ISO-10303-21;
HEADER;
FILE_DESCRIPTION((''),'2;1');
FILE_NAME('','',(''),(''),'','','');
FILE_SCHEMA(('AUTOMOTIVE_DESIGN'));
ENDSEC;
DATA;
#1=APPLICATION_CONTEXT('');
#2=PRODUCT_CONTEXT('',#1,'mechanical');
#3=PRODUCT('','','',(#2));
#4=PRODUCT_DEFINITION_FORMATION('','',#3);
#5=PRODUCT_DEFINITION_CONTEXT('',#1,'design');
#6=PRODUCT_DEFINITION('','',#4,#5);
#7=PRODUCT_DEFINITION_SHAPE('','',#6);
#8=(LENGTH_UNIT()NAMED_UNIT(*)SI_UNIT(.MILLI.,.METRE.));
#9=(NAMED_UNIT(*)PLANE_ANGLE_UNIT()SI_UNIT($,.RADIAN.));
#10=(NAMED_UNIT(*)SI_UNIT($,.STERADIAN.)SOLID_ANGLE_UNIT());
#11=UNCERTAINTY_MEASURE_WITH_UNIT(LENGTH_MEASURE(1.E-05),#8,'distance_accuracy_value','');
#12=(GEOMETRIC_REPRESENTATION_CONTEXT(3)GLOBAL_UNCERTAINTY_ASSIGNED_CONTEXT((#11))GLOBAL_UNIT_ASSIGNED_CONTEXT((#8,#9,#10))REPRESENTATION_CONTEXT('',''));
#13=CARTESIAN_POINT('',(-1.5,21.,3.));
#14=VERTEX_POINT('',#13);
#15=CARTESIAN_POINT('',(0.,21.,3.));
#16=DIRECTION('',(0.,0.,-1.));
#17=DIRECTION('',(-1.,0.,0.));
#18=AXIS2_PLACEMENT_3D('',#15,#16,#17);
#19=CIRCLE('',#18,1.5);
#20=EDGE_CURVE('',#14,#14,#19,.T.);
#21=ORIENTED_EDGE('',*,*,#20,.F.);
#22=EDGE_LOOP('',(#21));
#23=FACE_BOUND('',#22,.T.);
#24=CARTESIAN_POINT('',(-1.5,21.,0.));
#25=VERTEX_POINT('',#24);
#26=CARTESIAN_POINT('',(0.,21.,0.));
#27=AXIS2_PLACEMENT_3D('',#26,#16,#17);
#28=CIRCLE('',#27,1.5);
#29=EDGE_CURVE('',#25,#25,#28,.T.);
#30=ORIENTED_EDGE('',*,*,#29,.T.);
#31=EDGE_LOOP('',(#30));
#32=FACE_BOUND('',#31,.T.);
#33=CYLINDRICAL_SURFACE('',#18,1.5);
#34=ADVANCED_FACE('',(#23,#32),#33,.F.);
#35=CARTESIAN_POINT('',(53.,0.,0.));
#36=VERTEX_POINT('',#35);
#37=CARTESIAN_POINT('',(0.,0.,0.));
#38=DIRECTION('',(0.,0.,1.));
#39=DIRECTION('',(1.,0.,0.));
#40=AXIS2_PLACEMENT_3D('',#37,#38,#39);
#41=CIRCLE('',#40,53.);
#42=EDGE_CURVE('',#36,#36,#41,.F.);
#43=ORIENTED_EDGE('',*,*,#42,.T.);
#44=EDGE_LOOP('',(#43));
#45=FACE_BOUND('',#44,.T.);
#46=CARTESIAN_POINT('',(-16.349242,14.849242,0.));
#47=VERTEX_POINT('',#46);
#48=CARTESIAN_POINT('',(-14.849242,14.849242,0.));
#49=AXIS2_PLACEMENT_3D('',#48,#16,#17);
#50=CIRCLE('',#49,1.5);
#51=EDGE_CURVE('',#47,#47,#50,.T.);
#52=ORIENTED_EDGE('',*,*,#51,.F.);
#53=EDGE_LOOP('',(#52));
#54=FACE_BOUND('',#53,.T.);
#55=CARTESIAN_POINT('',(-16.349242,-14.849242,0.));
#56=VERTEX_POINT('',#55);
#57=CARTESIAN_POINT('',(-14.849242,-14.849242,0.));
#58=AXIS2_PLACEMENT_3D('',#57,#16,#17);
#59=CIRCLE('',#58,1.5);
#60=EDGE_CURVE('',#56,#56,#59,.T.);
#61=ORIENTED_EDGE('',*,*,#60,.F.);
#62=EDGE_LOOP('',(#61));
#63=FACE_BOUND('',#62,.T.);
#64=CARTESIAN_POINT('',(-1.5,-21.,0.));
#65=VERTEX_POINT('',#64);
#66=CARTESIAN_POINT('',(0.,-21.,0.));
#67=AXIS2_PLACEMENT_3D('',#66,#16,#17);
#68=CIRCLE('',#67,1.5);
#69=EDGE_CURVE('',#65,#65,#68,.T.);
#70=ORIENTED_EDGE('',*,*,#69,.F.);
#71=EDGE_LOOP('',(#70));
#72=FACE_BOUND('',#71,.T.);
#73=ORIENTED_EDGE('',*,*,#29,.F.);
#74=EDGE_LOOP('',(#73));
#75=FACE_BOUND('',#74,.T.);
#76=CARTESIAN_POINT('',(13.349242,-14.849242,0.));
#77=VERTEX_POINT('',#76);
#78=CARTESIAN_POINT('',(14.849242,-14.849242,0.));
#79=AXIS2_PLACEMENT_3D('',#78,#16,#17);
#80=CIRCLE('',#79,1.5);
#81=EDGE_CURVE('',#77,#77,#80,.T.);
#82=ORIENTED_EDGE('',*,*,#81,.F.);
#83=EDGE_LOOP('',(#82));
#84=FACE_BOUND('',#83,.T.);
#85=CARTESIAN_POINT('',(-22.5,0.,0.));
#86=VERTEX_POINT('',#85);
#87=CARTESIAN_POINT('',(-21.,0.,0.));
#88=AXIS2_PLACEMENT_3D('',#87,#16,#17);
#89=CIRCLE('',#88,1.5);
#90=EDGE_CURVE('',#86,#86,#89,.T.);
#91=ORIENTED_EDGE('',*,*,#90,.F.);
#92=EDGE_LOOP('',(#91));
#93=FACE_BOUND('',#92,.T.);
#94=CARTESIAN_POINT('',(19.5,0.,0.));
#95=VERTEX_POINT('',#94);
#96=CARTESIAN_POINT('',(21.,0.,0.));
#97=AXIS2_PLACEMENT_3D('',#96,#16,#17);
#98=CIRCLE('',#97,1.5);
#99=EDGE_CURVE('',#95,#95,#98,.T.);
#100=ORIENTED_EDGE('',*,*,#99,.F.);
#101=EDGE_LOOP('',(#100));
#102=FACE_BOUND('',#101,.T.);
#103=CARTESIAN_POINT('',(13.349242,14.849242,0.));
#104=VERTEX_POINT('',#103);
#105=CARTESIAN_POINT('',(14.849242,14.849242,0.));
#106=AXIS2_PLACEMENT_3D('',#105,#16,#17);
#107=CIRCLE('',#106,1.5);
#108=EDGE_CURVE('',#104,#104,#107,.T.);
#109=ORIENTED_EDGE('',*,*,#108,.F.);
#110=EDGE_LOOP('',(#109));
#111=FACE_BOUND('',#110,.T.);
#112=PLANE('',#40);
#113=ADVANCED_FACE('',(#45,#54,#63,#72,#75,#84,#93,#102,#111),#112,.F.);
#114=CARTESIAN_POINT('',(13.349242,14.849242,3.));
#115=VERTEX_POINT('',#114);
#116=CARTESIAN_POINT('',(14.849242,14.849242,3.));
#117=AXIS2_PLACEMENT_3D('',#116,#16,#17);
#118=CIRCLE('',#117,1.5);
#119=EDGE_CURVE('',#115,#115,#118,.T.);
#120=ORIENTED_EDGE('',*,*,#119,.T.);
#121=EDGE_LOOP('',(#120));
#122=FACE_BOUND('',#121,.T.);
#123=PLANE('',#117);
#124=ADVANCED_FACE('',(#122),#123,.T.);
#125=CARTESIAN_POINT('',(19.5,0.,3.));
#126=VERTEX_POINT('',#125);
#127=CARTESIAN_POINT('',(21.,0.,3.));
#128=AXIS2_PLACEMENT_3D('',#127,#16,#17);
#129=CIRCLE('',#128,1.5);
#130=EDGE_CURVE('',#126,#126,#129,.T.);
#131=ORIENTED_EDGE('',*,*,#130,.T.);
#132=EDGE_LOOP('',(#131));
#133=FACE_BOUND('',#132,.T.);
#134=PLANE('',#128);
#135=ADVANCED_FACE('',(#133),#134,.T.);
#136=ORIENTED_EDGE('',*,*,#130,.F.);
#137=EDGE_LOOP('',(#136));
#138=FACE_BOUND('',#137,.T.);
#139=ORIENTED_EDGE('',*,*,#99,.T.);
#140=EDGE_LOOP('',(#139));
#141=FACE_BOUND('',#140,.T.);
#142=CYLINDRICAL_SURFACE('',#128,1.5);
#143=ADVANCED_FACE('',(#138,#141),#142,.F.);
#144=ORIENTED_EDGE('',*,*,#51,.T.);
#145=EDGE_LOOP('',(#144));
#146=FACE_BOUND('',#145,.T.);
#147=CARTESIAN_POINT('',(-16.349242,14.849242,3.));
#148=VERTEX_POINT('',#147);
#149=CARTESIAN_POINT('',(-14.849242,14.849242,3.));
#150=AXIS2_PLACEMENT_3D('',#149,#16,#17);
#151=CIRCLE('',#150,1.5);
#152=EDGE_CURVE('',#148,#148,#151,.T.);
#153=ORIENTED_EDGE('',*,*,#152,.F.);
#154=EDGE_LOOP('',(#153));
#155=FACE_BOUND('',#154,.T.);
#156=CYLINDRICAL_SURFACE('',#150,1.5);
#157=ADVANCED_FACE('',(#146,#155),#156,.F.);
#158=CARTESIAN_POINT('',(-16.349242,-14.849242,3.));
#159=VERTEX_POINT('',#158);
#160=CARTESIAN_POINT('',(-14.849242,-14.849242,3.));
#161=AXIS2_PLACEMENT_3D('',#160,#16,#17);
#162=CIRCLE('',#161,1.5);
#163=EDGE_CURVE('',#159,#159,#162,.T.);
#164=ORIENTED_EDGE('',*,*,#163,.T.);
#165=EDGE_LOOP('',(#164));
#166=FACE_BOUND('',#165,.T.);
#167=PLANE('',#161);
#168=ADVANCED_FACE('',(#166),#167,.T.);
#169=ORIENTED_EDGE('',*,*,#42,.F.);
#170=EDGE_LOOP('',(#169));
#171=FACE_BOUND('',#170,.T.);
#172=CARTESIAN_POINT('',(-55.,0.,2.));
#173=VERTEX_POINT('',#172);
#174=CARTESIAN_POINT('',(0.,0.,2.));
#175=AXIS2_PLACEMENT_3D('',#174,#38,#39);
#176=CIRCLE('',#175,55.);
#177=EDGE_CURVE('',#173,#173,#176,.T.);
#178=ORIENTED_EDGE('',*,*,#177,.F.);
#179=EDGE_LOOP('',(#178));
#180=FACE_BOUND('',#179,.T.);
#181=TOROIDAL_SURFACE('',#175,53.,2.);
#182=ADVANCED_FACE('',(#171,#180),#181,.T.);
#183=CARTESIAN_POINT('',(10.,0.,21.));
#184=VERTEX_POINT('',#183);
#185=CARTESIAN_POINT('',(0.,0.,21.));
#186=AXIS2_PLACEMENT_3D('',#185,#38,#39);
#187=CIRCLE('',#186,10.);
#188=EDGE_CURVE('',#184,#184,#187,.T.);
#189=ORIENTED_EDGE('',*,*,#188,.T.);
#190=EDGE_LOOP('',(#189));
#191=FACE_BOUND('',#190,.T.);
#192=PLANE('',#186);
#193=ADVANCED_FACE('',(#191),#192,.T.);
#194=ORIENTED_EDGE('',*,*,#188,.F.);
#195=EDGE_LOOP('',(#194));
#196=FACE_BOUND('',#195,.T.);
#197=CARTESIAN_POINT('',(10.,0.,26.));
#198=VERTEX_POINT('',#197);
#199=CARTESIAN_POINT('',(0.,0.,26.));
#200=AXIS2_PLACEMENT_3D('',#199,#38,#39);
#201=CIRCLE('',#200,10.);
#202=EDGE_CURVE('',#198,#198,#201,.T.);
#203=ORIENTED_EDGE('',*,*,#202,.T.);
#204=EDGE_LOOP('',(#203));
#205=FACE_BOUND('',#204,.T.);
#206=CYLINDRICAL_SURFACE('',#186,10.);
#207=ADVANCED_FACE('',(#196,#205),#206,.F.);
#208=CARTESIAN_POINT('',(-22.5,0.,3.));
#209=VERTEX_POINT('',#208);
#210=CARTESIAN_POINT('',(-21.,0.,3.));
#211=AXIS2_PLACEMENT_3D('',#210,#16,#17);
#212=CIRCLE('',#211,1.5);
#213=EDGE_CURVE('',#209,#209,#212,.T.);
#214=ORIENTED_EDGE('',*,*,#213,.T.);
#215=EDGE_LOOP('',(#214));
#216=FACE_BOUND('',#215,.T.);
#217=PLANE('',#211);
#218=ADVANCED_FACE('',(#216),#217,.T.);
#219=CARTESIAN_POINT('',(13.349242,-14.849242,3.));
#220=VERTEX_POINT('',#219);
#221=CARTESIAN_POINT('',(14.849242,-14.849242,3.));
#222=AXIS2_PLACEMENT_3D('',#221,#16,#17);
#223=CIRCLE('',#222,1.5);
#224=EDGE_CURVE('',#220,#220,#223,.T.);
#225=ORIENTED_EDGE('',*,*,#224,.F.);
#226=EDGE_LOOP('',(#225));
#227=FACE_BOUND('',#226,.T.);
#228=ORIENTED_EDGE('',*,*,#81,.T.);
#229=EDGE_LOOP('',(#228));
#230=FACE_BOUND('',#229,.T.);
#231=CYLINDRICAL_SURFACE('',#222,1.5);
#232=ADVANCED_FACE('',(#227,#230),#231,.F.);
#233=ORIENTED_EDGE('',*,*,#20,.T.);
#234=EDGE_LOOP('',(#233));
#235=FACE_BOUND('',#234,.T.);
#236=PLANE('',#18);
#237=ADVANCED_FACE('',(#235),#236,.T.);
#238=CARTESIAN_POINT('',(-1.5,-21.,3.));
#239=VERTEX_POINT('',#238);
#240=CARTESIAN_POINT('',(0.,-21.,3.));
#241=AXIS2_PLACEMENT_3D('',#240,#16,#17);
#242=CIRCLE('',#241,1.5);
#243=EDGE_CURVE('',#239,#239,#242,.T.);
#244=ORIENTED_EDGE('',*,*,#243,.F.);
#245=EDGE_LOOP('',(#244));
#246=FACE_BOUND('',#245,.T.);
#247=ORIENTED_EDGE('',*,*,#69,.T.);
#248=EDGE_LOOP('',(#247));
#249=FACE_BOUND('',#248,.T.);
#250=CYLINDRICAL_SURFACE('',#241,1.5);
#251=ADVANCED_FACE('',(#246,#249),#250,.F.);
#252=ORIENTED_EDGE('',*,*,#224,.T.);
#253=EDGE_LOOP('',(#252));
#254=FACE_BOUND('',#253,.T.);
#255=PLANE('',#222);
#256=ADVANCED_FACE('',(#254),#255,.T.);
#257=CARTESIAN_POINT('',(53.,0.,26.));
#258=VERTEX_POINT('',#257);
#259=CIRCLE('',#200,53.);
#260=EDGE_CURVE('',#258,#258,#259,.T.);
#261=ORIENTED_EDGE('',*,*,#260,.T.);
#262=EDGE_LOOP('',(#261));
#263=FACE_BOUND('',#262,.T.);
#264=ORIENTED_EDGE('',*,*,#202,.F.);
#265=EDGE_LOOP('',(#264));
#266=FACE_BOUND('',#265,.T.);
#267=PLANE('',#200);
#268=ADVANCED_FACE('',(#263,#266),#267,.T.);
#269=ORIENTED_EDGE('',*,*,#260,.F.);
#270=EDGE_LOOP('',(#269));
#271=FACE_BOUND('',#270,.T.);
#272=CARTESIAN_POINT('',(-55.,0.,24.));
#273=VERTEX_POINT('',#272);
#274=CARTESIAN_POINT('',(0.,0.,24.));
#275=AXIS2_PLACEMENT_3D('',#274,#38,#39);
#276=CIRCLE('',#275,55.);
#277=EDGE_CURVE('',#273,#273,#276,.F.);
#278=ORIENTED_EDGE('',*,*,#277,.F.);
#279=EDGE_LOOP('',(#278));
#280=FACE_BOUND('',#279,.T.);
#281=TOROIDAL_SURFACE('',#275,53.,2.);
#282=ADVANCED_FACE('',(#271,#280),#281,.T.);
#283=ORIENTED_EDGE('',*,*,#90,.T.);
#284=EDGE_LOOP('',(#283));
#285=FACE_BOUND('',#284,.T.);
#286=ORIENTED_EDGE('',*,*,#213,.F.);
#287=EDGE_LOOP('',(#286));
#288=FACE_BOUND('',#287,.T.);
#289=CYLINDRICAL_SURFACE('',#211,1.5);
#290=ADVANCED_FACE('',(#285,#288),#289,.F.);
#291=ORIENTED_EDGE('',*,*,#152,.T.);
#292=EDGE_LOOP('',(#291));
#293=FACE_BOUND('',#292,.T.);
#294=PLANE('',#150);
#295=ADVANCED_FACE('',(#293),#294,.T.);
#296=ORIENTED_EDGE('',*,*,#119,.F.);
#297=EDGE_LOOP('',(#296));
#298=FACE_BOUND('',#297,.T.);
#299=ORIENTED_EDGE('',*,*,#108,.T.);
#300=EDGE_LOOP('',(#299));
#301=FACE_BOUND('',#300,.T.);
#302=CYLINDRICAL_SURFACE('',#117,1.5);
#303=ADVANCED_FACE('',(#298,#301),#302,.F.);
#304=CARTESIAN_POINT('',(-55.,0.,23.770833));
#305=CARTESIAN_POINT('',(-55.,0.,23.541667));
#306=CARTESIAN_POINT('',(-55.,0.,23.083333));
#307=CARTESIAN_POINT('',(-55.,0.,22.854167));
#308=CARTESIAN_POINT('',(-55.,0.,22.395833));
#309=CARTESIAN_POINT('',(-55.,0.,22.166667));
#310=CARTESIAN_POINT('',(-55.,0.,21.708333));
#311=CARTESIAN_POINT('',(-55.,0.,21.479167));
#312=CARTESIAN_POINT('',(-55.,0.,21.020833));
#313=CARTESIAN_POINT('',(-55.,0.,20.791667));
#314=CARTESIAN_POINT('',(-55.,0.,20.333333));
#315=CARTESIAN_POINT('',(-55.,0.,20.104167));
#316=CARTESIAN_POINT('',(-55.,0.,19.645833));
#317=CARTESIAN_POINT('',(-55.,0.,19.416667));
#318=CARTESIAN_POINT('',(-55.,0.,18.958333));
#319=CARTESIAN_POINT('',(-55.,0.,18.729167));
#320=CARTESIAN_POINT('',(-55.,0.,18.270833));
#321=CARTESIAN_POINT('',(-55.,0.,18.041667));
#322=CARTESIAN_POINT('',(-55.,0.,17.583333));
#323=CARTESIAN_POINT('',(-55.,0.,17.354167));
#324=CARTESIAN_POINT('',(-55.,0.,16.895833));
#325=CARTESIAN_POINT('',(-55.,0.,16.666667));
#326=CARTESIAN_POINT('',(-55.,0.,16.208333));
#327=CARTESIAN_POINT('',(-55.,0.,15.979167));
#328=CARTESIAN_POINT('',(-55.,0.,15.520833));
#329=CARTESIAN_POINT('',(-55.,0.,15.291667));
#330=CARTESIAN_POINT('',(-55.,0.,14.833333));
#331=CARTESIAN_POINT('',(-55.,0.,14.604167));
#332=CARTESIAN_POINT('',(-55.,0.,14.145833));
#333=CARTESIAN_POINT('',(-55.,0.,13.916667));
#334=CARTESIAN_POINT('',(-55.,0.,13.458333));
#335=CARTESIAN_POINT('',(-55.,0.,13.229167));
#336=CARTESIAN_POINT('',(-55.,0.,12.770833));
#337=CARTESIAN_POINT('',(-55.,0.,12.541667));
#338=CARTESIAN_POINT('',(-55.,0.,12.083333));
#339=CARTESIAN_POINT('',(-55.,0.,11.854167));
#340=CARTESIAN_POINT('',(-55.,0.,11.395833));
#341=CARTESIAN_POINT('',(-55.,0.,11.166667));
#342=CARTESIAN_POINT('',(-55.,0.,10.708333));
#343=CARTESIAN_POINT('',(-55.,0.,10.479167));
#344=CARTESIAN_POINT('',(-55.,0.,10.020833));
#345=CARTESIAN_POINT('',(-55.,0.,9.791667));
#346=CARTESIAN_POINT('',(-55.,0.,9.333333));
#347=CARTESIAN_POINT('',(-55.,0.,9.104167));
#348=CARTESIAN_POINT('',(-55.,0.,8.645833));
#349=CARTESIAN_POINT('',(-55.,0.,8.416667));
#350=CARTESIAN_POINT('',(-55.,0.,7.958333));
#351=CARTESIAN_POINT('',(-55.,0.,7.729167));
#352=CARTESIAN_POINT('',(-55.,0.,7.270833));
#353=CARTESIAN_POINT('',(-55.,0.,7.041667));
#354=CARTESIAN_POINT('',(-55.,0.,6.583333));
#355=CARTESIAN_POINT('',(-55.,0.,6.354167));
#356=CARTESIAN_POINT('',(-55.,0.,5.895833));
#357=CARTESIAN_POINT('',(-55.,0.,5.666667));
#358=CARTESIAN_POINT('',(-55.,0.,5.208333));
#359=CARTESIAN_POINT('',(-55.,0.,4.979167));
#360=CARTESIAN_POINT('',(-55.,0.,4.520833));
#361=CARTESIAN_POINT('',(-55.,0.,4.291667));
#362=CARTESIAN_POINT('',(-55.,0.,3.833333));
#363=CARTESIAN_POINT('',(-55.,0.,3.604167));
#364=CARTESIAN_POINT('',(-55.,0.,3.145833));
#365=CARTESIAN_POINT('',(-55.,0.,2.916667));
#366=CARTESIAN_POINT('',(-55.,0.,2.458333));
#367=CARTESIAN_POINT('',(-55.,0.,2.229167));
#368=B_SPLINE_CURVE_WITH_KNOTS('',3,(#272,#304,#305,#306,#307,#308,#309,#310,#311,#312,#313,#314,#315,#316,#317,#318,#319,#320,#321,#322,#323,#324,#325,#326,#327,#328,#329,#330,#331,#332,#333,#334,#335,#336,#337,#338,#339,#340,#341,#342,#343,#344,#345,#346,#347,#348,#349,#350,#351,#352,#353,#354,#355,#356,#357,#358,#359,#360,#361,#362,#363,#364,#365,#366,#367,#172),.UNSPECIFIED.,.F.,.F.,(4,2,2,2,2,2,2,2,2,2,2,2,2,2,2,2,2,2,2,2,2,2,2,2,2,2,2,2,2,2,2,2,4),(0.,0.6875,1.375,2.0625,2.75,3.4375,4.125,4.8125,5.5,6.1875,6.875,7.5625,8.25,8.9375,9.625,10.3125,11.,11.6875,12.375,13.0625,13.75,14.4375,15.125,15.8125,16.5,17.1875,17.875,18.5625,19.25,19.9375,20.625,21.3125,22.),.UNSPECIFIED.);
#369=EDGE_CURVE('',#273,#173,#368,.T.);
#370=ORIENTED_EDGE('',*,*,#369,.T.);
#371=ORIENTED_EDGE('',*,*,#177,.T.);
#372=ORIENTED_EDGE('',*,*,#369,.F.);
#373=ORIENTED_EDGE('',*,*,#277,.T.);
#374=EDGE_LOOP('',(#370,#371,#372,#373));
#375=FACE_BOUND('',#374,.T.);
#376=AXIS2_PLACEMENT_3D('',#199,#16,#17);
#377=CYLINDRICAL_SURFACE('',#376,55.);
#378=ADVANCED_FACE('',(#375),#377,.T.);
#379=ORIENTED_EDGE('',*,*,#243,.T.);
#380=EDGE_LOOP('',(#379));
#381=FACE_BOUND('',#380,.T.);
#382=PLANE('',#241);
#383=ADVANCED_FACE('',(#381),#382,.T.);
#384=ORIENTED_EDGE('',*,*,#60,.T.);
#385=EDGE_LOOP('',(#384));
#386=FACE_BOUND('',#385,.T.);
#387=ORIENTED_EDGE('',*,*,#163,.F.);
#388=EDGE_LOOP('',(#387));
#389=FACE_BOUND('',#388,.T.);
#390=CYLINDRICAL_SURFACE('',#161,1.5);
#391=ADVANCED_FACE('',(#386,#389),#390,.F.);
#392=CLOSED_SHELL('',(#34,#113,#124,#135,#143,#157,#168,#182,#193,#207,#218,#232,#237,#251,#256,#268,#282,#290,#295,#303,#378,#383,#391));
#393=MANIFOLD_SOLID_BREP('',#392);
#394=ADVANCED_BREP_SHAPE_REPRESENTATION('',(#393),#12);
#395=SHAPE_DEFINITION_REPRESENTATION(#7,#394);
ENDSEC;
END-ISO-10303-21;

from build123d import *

# Parameters (mm, degrees)
SKETCH1_R           = 55
BOSS_EXTRUDE1_DEPTH = 26
SKETCH2_R           = 1.5
CUT_EXTRUDE1_DEPTH  = 3
SKETCH3_R           = 32.5
BOSS_EXTRUDE2_DEPTH = 8
SKETCH4_R           = 2.55
SKETCH4_R_2         = 1.55
SKETCH4_R_3         = 2.05
CUT_EXTRUDE2_DEPTH  = 3
FILLET1_R           = 2
SKETCH9_R           = 42.415927499
CUT_EXTRUDE3_DEPTH  = 83.012194282
SKETCH10_R          = 10
CUT_EXTRUDE4_DEPTH  = 5


with BuildPart() as part:
    # Sketch1 → Boss-Extrude1 (new body)
    with BuildSketch(Plane.XY):
        with Locations(Location((0, 0, 0), (0, 0, 180))):
            Circle(SKETCH1_R)
    extrude(amount=BOSS_EXTRUDE1_DEPTH)

    # Sketch2 → Cut-Extrude1 (cut)
    with BuildSketch(Plane(origin=(0, 0, 0), x_dir=(-1, 0, 0), z_dir=(0, 0, -1))):
        with Locations((0, -21)):
            Circle(SKETCH2_R)
        with Locations((-14.849242405, -14.849242405)):
            Circle(SKETCH2_R)
        with Locations((-21, 0)):
            Circle(SKETCH2_R)
        with Locations((-14.849242405, 14.849242405)):
            Circle(SKETCH2_R)
        with Locations((0, 21)):
            Circle(SKETCH2_R)
        with Locations((14.849242405, 14.849242405)):
            Circle(SKETCH2_R)
        with Locations((21, 0)):
            Circle(SKETCH2_R)
        with Locations((14.849242405, -14.849242405)):
            Circle(SKETCH2_R)
    extrude(amount=-CUT_EXTRUDE1_DEPTH, mode=Mode.SUBTRACT)

    # Sketch3 → Boss-Extrude2 (add)
    with BuildSketch(Plane.XY.offset(26)):
        Circle(SKETCH3_R)
    extrude(amount=BOSS_EXTRUDE2_DEPTH)

    # Sketch4 → Cut-Extrude2 (cut)
    with BuildSketch(Plane.XY.offset(34)):
        with Locations((-16.5, 0)):
            Circle(SKETCH4_R)
        with Locations((0, -16.5)):
            Circle(SKETCH4_R)
        with Locations((16.5, 0)):
            Circle(SKETCH4_R)
        with Locations((0, 16.5)):
            Circle(SKETCH4_R)
        with Locations((0, 26)):
            Circle(SKETCH4_R_2)
        with Locations((0, 22)):
            Circle(SKETCH4_R_2)
        with Locations((-11.66726189, -11.66726189)):
            Circle(SKETCH4_R_3)
        with Locations((11.66726189, -11.66726189)):
            Circle(SKETCH4_R_3)
        with Locations((11.66726189, 11.66726189)):
            Circle(SKETCH4_R_3)
        with Locations((-11.66726189, 11.66726189)):
            Circle(SKETCH4_R_3)
        with Locations((-22, 0)):
            Circle(SKETCH4_R_2)
        with Locations((-26, 0)):
            Circle(SKETCH4_R_2)
        with Locations((0, -22)):
            Circle(SKETCH4_R_2)
        with Locations((0, -26)):
            Circle(SKETCH4_R_2)
        with Locations((22, 0)):
            Circle(SKETCH4_R_2)
        with Locations((26, 0)):
            Circle(SKETCH4_R_2)
    extrude(amount=-CUT_EXTRUDE2_DEPTH, mode=Mode.SUBTRACT)

    # Fillet1
    fillet1_edges = [part.edges().sort_by_distance(p)[0] for p in [
        (55, 0, 0),
        (55, 0, 26),
    ]]
    fillet(fillet1_edges, radius=FILLET1_R)

    # Sketch9 → Cut-Extrude3 (cut, through all)
    with BuildSketch(Plane.XY.offset(26)):
        Circle(SKETCH9_R)
    extrude(amount=CUT_EXTRUDE3_DEPTH, mode=Mode.SUBTRACT)

    # Sketch10 → Cut-Extrude4 (cut)
    with BuildSketch(Plane.XY.offset(26)):
        Circle(SKETCH10_R)
    extrude(amount=-CUT_EXTRUDE4_DEPTH, mode=Mode.SUBTRACT)


solid = part.part
